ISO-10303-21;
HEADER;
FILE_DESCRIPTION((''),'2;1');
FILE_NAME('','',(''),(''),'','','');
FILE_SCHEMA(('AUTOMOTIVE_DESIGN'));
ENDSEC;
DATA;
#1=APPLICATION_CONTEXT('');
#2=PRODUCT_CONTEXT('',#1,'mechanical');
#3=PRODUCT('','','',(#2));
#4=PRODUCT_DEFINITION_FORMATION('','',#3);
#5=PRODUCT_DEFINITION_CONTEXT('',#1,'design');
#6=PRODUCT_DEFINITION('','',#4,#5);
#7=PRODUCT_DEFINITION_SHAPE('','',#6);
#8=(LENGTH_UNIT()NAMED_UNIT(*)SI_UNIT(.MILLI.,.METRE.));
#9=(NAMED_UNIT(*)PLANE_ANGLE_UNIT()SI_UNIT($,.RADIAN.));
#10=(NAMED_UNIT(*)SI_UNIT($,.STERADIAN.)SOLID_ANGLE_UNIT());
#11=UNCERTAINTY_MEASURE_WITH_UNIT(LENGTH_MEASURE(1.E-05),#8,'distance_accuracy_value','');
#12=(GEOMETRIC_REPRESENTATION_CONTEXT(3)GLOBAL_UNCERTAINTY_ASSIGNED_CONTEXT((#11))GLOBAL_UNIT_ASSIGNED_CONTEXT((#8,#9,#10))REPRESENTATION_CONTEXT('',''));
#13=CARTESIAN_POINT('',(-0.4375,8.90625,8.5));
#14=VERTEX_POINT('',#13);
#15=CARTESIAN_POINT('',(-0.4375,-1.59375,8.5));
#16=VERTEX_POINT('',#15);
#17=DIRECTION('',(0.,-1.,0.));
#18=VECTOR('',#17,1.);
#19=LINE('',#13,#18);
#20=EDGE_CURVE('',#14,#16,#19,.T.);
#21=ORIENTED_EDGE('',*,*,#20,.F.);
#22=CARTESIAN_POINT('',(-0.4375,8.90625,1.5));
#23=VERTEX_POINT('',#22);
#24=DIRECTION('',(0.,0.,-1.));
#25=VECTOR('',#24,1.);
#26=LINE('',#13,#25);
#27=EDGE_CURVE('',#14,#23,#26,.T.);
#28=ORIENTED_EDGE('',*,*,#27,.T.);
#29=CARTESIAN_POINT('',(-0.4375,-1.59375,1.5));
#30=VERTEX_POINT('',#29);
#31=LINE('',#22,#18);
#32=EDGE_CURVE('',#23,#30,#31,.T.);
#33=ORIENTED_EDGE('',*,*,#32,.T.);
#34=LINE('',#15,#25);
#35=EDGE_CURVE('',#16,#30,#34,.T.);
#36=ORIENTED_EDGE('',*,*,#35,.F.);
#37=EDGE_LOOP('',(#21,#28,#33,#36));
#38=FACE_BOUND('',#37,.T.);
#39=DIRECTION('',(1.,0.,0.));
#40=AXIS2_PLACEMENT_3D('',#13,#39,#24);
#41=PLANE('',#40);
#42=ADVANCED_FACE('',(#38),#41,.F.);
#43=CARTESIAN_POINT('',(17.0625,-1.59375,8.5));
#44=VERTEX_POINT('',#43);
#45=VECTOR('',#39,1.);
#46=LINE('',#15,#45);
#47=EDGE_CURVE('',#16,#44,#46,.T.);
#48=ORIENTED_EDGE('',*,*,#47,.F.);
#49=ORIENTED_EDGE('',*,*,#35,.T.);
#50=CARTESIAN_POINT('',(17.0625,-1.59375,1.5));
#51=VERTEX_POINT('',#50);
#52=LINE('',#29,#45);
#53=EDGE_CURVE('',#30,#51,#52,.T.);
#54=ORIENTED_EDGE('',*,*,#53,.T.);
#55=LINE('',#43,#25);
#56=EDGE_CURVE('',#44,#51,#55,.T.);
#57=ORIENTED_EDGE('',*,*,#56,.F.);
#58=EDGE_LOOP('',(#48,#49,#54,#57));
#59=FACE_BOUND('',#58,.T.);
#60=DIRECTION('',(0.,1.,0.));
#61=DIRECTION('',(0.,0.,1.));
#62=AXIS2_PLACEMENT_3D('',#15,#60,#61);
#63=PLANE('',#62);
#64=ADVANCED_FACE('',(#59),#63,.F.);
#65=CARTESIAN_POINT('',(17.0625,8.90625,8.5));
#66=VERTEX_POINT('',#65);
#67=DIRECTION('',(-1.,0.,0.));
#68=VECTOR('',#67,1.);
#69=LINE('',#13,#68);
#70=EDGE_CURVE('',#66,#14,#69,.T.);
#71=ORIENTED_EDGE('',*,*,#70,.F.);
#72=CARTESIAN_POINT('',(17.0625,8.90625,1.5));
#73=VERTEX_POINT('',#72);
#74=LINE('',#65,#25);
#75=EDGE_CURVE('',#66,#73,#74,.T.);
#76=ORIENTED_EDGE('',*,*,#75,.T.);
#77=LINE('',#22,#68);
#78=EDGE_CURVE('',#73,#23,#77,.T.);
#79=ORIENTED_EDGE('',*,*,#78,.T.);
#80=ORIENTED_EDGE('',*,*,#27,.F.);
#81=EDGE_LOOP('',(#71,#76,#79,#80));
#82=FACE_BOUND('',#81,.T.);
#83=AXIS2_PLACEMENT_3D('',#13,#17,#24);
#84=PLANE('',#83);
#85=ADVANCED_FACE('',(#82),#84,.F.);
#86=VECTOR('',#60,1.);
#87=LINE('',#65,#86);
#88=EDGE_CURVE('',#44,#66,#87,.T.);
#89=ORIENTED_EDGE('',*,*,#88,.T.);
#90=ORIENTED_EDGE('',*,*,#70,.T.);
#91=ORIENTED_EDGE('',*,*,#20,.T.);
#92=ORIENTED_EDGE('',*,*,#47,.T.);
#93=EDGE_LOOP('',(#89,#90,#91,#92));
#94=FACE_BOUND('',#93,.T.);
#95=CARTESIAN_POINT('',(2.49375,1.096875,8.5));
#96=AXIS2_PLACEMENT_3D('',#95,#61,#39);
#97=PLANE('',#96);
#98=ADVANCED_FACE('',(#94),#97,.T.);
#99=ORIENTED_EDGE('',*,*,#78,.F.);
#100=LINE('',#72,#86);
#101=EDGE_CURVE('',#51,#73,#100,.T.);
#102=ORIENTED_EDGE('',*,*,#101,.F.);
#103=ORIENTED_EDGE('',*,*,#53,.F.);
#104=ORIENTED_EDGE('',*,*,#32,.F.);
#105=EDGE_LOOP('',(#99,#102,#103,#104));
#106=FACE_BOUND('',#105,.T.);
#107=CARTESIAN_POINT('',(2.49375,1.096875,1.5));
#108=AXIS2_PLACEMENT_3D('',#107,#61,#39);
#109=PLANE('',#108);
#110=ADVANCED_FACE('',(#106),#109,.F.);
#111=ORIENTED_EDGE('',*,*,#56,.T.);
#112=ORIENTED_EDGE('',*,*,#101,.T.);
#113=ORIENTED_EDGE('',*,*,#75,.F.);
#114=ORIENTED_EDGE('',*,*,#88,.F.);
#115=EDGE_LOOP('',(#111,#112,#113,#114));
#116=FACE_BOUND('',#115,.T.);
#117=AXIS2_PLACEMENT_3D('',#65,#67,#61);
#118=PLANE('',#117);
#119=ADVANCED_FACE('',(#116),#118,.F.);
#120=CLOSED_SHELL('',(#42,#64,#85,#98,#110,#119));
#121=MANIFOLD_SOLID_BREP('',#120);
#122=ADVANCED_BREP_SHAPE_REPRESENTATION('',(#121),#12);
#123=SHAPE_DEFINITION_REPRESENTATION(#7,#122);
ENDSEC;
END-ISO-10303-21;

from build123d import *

# Parameters (mm, degrees)
SKETCH_1_W      = 25
SKETCH_1_H      = 15
EXTRUDE_1_DEPTH = 10
SCALE_1_SCALE   = 0.7


with BuildPart() as part:
    # 草图1 → 凸台-拉伸1 (new body)
    with BuildSketch(Plane.XY):
        with Locations((8.3125, 3.65625)):
            Rectangle(SKETCH_1_W, SKETCH_1_H)
    extrude(amount=EXTRUDE_1_DEPTH)


with BuildPart() as part_1:
    # 缩放比例1: scaled about (8.3125, 3.65625, 5)
    add(part.part.scale(SCALE_1_SCALE).moved(Location((2.49375, 1.096875, 1.5))))


solid = part_1.part
